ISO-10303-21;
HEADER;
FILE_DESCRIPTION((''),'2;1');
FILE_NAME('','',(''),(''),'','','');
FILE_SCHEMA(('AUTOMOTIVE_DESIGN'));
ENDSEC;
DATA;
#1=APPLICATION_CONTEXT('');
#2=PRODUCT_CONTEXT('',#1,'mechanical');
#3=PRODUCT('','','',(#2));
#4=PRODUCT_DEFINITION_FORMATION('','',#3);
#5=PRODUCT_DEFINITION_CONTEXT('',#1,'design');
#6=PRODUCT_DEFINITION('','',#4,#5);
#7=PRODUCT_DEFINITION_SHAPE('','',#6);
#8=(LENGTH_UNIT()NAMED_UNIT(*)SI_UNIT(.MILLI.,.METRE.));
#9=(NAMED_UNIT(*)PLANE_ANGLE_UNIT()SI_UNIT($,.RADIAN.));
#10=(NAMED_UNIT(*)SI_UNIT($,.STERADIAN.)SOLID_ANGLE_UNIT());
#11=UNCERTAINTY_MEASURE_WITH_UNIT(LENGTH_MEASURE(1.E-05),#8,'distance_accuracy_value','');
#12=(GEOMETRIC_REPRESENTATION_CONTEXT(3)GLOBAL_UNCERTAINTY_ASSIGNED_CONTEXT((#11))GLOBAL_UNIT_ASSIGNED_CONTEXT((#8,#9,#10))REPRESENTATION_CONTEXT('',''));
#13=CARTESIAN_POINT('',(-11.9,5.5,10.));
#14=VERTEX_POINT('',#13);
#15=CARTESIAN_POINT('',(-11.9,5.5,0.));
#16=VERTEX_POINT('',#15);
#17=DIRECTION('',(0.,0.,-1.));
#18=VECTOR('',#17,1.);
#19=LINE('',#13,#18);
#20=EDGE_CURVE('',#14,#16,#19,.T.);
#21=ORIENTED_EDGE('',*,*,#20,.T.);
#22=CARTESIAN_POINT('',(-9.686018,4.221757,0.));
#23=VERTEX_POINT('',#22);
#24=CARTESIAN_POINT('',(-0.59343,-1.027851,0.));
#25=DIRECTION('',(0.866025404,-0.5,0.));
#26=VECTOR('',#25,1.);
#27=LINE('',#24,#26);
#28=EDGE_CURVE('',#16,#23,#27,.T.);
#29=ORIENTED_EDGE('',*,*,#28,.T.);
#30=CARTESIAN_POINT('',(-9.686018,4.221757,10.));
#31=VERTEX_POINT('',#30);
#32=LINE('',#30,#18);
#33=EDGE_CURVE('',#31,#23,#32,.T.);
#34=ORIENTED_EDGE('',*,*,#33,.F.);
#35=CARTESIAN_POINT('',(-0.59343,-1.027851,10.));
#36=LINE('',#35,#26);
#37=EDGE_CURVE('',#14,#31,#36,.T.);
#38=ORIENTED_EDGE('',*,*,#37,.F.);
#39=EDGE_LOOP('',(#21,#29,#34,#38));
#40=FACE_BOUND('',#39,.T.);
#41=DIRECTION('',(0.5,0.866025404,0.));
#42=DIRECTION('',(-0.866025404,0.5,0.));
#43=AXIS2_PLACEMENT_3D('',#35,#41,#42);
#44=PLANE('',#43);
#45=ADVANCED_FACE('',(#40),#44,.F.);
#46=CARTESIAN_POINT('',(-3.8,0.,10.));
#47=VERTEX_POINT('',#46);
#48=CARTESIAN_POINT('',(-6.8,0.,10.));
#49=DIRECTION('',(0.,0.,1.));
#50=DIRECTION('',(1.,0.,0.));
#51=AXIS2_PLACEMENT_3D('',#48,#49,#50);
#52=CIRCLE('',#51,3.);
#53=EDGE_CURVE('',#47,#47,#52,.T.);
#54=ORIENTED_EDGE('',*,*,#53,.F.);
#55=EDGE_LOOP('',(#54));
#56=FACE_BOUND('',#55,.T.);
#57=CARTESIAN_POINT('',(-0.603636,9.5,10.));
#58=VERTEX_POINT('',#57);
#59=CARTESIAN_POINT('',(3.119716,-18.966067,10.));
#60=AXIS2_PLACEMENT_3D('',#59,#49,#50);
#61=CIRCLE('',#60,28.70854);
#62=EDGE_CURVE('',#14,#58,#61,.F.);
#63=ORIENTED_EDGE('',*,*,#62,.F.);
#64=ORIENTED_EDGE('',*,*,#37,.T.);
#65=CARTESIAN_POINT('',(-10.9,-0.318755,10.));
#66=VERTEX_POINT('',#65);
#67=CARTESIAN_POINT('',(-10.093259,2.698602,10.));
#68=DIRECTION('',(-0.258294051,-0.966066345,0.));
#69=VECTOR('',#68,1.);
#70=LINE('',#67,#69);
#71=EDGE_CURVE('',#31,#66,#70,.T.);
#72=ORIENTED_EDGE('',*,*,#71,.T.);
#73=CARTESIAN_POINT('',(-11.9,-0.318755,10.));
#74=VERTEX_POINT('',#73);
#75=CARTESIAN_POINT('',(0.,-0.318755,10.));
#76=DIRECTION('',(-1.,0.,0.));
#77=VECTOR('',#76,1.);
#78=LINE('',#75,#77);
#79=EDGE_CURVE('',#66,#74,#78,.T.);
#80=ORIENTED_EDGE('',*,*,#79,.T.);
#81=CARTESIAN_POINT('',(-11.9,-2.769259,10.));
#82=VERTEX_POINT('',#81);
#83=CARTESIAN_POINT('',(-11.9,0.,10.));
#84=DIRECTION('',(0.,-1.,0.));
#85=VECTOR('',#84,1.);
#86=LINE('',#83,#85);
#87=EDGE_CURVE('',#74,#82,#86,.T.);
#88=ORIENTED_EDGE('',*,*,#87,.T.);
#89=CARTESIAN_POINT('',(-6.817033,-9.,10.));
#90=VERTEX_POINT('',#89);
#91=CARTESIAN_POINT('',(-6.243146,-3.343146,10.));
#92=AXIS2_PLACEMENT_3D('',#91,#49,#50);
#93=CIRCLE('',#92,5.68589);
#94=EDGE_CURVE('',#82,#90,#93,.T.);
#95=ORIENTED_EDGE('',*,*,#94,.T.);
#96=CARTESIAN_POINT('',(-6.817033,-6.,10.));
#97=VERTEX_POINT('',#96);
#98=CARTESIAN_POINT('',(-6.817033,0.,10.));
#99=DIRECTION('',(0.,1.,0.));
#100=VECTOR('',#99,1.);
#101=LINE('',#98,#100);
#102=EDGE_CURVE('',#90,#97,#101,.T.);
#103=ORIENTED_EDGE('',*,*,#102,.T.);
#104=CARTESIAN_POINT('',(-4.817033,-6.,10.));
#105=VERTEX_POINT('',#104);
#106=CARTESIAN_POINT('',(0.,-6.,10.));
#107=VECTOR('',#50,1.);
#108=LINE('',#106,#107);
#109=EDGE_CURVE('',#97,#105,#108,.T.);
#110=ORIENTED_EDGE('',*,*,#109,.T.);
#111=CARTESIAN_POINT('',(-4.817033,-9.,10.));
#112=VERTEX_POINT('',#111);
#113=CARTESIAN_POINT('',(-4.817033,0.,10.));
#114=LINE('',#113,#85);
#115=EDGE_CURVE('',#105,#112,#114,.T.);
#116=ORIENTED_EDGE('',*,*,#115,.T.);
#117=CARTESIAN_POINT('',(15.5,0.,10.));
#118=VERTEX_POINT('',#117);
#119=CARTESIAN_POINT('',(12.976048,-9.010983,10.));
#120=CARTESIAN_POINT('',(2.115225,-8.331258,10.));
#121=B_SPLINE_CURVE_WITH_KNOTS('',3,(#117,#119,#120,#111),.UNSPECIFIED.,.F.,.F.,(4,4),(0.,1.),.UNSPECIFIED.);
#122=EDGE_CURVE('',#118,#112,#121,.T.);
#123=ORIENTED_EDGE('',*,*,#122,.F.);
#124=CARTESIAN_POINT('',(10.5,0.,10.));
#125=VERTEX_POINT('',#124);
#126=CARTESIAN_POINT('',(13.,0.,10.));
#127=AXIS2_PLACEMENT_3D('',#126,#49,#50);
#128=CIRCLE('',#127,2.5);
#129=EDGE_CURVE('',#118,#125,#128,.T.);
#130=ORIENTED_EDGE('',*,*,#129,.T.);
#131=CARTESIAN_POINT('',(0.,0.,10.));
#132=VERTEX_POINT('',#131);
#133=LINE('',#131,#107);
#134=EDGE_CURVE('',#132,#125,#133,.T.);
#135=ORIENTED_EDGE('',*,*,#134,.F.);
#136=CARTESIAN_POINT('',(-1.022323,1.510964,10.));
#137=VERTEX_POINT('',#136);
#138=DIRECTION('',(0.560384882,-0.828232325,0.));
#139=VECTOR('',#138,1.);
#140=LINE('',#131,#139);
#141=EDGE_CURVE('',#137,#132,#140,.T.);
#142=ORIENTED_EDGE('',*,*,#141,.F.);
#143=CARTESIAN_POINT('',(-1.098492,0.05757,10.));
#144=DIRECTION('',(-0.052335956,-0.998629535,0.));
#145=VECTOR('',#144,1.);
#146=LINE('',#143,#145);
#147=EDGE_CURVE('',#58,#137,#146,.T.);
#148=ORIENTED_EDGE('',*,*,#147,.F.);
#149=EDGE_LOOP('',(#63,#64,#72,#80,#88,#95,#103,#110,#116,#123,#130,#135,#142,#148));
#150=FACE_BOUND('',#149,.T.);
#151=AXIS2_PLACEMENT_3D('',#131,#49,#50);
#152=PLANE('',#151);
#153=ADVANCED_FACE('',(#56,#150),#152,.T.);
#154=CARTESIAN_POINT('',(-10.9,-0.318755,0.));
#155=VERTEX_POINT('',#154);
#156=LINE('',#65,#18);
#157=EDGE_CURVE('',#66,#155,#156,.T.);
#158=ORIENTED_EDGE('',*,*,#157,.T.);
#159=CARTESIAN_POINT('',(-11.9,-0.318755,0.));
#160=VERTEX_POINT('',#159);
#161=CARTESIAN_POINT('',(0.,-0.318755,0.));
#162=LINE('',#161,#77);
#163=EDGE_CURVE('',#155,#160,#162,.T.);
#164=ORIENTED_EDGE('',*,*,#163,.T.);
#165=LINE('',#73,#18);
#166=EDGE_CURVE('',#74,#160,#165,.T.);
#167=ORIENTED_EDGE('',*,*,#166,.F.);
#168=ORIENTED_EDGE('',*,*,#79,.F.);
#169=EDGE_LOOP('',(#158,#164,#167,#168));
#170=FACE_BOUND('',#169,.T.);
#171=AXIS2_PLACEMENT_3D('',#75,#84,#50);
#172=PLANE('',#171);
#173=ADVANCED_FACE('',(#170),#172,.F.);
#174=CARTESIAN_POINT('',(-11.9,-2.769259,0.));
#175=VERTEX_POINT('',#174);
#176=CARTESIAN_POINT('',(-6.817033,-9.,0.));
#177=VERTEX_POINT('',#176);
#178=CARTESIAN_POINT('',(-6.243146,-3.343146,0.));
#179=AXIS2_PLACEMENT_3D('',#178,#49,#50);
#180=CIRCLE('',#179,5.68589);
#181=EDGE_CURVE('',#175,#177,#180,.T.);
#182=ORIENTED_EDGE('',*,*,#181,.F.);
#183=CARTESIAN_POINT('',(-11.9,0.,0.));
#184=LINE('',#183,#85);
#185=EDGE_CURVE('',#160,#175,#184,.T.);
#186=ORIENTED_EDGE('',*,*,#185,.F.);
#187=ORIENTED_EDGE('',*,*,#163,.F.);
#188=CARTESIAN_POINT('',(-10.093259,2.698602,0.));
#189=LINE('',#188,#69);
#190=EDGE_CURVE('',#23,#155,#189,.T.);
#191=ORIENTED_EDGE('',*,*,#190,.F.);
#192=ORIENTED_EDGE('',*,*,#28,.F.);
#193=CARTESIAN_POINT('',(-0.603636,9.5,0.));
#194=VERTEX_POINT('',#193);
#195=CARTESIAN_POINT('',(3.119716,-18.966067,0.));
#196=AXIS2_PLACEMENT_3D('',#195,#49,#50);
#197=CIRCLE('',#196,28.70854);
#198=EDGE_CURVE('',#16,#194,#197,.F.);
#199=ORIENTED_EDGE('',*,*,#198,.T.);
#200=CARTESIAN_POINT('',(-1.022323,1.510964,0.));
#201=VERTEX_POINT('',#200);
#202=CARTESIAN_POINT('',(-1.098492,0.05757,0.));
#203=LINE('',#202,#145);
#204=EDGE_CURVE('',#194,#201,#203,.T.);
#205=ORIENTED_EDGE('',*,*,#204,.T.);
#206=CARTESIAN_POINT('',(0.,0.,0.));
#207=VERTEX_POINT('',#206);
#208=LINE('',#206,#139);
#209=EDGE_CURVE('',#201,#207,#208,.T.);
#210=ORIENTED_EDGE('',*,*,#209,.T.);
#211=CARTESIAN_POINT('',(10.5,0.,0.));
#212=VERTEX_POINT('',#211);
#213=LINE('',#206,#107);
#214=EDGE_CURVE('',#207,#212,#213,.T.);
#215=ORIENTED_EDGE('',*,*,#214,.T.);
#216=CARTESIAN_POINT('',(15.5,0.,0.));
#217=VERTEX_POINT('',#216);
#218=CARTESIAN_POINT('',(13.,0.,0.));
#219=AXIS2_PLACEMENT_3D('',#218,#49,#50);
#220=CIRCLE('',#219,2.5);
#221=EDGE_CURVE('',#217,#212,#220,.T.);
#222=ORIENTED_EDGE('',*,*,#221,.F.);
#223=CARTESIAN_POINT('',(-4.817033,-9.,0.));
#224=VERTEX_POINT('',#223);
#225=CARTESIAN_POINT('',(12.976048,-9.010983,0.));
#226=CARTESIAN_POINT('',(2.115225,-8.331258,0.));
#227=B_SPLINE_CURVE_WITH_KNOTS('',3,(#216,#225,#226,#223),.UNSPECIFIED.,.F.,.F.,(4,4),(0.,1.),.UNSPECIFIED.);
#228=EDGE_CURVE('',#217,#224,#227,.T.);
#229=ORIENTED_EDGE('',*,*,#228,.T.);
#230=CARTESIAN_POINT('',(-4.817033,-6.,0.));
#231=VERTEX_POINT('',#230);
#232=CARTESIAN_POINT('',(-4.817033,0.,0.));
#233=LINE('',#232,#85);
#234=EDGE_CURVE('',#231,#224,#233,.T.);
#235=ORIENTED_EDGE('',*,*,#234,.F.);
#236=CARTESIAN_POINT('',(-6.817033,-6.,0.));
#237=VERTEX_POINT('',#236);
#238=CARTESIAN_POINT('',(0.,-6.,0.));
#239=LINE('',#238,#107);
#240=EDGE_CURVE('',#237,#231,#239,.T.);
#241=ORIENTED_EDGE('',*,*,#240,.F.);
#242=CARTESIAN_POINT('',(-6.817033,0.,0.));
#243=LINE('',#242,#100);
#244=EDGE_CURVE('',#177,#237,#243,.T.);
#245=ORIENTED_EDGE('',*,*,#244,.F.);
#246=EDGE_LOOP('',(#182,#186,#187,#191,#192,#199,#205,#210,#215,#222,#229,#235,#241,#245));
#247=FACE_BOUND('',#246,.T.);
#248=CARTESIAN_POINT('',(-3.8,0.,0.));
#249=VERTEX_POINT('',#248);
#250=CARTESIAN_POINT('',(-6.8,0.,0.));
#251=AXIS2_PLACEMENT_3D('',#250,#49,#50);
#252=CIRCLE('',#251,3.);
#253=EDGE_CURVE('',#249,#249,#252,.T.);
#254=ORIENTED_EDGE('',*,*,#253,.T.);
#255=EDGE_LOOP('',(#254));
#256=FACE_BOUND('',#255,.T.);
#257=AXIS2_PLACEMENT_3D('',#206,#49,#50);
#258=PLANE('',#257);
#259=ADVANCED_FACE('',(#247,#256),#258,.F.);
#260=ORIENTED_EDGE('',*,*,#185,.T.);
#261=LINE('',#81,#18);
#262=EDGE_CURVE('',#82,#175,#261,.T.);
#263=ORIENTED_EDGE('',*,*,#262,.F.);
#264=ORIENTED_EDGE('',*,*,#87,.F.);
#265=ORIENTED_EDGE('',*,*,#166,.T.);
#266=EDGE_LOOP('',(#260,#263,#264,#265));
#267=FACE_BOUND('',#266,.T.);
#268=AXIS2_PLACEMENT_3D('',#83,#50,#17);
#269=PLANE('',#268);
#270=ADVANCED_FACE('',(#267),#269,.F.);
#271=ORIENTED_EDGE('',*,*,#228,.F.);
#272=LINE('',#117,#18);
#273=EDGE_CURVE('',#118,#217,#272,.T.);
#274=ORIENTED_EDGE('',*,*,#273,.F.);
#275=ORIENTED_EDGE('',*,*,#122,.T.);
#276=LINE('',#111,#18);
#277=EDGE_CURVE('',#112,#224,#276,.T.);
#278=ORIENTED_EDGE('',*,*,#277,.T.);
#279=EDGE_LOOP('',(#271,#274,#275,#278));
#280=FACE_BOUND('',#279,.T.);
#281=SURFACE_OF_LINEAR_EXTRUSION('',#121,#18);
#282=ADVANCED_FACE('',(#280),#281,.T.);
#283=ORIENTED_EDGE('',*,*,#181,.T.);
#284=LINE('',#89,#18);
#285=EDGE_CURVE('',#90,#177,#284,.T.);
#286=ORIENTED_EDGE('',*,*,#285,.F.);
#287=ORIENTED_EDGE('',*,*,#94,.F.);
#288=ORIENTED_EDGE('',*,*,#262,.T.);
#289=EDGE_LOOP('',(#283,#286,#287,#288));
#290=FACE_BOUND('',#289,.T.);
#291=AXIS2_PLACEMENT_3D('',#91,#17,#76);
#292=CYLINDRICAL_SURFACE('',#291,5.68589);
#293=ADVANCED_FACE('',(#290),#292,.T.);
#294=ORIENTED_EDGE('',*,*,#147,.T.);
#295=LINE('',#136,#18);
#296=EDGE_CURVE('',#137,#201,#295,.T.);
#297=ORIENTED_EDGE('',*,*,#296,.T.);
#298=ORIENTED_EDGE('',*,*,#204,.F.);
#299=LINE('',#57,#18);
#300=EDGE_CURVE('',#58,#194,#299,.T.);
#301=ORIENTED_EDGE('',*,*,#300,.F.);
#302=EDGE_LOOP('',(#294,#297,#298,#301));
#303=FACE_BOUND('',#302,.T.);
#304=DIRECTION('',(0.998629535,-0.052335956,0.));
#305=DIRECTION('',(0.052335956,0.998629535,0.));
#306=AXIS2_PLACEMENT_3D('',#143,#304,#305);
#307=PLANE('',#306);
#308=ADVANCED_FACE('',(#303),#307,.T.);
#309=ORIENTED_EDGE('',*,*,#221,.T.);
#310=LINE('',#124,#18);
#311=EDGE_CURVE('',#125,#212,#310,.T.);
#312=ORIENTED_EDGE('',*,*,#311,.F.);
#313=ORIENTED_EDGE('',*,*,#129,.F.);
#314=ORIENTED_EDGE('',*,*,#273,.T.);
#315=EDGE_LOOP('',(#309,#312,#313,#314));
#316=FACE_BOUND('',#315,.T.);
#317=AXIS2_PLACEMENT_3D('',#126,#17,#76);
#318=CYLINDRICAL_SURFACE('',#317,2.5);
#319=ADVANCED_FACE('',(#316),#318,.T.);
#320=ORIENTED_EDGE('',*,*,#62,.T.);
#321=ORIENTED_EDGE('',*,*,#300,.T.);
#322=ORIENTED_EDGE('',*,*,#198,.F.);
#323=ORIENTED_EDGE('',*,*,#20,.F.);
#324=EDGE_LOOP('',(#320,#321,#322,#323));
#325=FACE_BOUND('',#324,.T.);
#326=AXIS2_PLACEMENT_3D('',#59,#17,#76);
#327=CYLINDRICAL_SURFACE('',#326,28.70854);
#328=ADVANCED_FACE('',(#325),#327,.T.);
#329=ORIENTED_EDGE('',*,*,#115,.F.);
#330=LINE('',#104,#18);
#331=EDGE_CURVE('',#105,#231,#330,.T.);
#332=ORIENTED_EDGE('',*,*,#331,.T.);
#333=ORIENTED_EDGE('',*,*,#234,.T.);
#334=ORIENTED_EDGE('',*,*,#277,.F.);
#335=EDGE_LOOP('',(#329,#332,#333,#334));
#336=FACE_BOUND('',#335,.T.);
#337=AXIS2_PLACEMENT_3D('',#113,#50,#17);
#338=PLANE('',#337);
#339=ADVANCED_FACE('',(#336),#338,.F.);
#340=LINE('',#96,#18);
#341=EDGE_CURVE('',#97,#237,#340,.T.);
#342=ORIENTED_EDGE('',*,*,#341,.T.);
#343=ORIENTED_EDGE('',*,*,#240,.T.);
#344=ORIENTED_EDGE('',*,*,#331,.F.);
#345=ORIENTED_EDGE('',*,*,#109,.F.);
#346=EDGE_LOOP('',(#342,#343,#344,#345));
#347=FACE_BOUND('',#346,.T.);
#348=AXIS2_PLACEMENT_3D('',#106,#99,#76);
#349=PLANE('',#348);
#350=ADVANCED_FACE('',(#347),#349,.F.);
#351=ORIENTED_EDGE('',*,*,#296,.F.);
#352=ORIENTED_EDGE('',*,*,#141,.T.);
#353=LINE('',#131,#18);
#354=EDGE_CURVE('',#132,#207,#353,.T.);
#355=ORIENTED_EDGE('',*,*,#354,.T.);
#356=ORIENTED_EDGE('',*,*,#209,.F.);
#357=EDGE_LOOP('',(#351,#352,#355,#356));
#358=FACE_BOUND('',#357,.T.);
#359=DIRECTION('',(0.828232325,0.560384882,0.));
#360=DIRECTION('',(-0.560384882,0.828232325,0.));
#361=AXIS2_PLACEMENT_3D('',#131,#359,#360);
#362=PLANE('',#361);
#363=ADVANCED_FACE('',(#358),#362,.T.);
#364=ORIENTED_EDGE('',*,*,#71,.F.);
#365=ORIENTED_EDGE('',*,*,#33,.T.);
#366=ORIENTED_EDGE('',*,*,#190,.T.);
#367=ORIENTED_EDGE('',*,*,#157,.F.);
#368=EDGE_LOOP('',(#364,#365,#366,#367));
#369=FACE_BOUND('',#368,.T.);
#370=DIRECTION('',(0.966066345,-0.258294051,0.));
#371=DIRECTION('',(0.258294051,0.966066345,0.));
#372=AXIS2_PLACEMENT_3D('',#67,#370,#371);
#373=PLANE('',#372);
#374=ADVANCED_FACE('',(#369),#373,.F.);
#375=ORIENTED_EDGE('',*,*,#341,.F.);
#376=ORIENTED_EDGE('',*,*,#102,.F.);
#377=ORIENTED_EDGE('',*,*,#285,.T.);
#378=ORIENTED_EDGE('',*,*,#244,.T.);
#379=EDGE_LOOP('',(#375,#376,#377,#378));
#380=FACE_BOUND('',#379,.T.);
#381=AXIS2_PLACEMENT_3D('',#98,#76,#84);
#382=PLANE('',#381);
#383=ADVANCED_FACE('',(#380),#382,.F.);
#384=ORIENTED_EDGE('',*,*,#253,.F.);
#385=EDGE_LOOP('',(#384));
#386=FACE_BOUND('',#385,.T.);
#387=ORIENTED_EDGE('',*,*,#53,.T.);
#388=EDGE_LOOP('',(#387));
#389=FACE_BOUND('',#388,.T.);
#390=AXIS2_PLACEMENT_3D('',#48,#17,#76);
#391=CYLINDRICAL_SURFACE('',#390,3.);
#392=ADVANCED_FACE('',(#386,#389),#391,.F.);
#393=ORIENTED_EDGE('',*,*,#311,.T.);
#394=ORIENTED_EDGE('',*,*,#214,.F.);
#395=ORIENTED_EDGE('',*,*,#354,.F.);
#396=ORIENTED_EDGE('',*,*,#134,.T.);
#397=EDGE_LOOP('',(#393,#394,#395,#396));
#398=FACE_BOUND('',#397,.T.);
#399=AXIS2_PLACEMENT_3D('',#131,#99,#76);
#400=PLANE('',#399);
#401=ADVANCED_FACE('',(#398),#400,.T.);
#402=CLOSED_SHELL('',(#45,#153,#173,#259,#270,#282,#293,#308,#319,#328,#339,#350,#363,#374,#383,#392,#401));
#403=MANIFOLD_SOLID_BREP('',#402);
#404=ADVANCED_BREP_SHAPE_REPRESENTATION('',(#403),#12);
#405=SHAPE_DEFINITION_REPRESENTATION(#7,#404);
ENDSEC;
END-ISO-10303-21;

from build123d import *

# Parameters (mm, degrees)
SKETCH1_R           = 3
BOSS_EXTRUDE1_DEPTH = 10


with BuildPart() as part:
    # Sketch1 → Boss-Extrude1 (new body)
    with BuildSketch(Plane.XY):
        with BuildLine():
            Line((10.5, 0), (0, 0))
            Line((0, 0), (-1.022323327, 1.510963722))
            Line((-1.022323327, 1.510963722), (-0.603635677, 9.5))
            ThreePointArc((-0.603635677, 9.5), (-6.462853921, 8.095985117), (-11.9, 5.5))
            Line((-11.9, 5.5), (-9.686017962, 4.221756874))
            Line((-9.686017962, 4.221756874), (-10.9, -0.318754948))
            Line((-10.9, -0.318754948), (-11.9, -0.318754948))
            Line((-11.9, -0.318754948), (-11.9, -2.769258551))
            ThreePointArc((-11.9, -2.769258551), (-10.648945281, -6.93734622), (-6.81703295, -9))
            Line((-6.81703295, -9), (-6.81703295, -6))
            Line((-6.81703295, -6), (-4.81703295, -6))
            Line((-4.81703295, -6), (-4.81703295, -9))
            add(Edge.make_bspline(
                [(-4.81703295, -9), (2.115225064, -8.331257602), (12.97604793, -9.010983468), (15.5, 0)],
                knots=[0.063235072, 0.063235072, 0.063235072, 0.063235072, 1.063235072, 1.063235072, 1.063235072, 1.063235072], degree=3))
            ThreePointArc((15.5, 0), (13, 2.5), (10.5, 0))
        make_face()
        with Locations((-6.8, 0)):
            Circle(SKETCH1_R, mode=Mode.SUBTRACT)
    extrude(amount=BOSS_EXTRUDE1_DEPTH)


solid = part.part
